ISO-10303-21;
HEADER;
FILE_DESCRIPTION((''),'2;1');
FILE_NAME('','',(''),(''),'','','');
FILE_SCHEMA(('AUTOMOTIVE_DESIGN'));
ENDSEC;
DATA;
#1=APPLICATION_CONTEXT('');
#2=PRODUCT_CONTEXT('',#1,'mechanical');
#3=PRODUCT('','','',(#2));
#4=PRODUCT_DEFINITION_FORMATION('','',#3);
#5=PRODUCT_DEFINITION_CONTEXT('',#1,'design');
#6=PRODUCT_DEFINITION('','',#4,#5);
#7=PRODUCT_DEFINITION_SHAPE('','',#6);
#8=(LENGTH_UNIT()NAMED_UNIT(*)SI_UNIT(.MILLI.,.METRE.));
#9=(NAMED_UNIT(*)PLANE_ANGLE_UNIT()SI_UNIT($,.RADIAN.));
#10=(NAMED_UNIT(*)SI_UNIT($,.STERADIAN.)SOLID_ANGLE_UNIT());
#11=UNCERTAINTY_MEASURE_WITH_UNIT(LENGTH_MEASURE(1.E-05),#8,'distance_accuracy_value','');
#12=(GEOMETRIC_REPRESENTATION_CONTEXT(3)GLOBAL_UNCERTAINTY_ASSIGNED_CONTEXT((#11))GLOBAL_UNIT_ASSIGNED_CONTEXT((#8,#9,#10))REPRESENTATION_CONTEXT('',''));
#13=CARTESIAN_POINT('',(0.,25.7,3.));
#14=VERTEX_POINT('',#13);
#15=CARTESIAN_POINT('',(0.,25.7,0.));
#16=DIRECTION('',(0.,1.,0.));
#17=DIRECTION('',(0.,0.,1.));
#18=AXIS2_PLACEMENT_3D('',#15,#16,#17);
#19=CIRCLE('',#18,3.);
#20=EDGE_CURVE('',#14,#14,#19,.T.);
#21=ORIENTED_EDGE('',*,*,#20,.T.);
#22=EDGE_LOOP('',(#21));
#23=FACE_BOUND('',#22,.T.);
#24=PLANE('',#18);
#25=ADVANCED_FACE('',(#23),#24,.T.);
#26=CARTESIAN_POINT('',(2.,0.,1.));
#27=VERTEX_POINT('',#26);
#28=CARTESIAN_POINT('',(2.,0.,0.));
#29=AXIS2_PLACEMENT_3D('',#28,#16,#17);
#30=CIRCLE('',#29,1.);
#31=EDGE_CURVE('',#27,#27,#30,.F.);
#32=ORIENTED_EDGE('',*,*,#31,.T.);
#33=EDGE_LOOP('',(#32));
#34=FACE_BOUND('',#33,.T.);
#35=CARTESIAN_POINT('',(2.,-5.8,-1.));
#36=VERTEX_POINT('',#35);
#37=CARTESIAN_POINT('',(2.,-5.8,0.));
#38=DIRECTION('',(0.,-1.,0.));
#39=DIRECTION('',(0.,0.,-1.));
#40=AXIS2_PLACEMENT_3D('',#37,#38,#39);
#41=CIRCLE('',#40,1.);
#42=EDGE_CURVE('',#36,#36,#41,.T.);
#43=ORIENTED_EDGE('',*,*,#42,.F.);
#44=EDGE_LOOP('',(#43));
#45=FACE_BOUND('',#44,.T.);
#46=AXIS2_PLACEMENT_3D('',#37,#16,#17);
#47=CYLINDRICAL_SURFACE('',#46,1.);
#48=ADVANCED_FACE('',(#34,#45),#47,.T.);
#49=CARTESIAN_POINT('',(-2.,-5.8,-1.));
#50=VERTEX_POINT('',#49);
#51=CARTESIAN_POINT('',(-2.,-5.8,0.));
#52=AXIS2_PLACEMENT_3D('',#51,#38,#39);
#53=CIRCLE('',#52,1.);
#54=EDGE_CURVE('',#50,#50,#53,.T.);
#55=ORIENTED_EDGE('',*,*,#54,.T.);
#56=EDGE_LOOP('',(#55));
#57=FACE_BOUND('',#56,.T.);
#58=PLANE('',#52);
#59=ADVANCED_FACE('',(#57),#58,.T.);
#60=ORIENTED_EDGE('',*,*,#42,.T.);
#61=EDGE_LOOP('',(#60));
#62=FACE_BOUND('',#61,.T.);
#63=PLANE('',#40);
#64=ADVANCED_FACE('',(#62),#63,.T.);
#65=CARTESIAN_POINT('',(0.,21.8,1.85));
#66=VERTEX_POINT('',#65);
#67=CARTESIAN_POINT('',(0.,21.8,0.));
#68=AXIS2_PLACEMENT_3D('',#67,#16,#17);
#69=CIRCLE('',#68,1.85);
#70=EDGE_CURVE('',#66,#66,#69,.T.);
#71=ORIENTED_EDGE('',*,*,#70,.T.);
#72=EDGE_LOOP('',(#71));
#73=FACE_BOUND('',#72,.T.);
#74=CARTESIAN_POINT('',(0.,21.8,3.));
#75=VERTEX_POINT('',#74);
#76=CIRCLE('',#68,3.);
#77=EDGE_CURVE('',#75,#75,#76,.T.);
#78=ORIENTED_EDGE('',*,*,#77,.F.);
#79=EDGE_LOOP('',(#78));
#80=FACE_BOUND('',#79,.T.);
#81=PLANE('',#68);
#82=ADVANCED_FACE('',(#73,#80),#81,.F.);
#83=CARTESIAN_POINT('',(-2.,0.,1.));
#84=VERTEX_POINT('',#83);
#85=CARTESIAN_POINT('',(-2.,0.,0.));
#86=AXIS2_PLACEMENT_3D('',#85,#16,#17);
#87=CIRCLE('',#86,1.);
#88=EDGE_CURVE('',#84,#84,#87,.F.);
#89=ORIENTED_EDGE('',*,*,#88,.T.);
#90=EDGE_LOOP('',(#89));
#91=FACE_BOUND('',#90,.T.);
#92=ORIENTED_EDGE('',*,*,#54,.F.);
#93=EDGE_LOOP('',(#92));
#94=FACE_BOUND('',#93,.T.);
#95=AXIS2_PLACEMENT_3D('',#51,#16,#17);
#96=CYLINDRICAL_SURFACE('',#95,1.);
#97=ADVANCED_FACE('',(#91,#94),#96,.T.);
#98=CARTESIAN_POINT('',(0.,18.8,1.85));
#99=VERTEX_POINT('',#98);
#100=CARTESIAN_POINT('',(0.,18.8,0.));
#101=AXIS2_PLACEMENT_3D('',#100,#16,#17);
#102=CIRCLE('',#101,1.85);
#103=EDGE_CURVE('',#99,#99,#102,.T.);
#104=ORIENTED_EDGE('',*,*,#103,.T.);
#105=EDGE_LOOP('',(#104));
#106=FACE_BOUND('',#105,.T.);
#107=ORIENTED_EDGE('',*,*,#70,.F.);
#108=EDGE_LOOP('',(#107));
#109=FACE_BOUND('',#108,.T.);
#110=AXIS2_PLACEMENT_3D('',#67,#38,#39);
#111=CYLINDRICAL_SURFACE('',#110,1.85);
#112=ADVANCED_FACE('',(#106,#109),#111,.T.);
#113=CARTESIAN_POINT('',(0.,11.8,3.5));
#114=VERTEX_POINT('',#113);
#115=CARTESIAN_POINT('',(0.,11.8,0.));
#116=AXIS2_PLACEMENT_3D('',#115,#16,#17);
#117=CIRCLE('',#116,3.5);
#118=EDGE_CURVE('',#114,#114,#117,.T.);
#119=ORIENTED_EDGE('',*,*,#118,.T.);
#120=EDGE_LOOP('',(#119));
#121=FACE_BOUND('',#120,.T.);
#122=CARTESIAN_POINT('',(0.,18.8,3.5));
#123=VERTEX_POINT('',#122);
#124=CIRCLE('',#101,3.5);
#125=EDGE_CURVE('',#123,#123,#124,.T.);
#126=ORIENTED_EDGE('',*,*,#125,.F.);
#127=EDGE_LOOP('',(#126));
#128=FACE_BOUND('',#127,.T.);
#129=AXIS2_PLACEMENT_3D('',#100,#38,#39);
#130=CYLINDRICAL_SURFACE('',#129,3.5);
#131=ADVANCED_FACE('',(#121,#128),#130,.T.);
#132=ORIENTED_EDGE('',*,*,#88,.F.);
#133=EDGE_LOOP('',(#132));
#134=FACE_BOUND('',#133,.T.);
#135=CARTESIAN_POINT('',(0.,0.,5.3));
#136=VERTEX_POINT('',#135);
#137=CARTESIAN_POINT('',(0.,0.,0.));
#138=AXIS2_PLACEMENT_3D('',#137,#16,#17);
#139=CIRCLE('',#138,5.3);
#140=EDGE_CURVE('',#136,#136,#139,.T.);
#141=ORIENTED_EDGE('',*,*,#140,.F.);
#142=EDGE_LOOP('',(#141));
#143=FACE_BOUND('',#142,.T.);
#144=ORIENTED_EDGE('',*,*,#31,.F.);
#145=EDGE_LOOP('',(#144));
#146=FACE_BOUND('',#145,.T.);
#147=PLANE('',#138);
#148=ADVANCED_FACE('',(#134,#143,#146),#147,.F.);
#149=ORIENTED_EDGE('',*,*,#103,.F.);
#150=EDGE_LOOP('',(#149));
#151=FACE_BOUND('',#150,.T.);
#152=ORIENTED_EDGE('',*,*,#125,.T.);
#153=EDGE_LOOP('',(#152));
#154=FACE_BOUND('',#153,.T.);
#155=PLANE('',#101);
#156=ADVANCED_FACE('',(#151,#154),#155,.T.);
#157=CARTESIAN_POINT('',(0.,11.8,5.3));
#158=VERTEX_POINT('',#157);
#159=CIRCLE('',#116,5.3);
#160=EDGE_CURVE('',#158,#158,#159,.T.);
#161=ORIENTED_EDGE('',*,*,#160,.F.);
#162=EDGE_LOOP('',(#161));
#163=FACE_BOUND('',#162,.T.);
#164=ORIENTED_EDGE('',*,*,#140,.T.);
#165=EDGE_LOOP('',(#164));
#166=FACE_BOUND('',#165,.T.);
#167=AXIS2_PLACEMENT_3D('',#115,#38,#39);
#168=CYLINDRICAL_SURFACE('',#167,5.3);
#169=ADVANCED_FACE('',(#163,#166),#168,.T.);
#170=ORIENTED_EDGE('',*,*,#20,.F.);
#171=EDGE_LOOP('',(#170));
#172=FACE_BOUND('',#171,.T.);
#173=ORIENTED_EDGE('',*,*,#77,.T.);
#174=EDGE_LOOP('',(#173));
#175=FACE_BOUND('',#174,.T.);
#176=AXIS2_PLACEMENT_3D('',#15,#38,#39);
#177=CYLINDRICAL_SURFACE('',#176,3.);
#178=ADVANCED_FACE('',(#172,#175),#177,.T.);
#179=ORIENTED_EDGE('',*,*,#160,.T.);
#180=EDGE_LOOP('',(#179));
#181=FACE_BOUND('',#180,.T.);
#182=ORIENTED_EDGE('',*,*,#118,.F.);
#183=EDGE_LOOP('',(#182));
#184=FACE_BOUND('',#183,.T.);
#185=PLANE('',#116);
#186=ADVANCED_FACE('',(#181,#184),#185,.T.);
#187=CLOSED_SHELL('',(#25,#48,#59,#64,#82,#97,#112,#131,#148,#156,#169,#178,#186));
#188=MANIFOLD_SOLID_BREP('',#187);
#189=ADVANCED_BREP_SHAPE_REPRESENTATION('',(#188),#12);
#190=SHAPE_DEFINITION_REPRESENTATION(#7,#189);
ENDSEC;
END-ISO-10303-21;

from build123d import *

# Parameters (mm, degrees)
SKETCH2_R           = 5.3
BOSS_EXTRUDE1_DEPTH = 11.8
SKETCH3_R           = 3.5
BOSS_EXTRUDE2_DEPTH = 7
SKETCH4_R           = 1.85
BOSS_EXTRUDE3_DEPTH = 3
SKETCH5_R           = 3
BOSS_EXTRUDE4_DEPTH = 3.9
SKETCH6_R           = 1
BOSS_EXTRUDE5_DEPTH = 5.8


with BuildPart() as part:
    # Sketch2 → Boss-Extrude1 (new body)
    with BuildSketch(Plane(origin=(0, 0, 0), x_dir=(1, 0, 0), z_dir=(0, 1, 0))):
        Circle(SKETCH2_R)
    extrude(amount=BOSS_EXTRUDE1_DEPTH)

    # Sketch3 → Boss-Extrude2 (add)
    with BuildSketch(Plane(origin=(0, 11.8, 0), x_dir=(1, 0, 0), z_dir=(0, 1, 0))):
        Circle(SKETCH3_R)
    extrude(amount=BOSS_EXTRUDE2_DEPTH)

    # Sketch4 → Boss-Extrude3 (add)
    with BuildSketch(Plane(origin=(0, 18.8, 0), x_dir=(1, 0, 0), z_dir=(0, 1, 0))):
        Circle(SKETCH4_R)
    extrude(amount=BOSS_EXTRUDE3_DEPTH)

    # Sketch5 → Boss-Extrude4 (add)
    with BuildSketch(Plane(origin=(0, 21.8, 0), x_dir=(1, 0, 0), z_dir=(0, 1, 0))):
        Circle(SKETCH5_R)
    extrude(amount=BOSS_EXTRUDE4_DEPTH)

    # Sketch6 → Boss-Extrude5 (add)
    with BuildSketch(Plane(origin=(0, 0, 0), x_dir=(-1, 0, 0), z_dir=(0, -1, 0))):
        with Locations((2, 0)):
            Circle(SKETCH6_R)
        with Locations((-2, 0)):
            Circle(SKETCH6_R)
    extrude(amount=BOSS_EXTRUDE5_DEPTH)


solid = part.part
